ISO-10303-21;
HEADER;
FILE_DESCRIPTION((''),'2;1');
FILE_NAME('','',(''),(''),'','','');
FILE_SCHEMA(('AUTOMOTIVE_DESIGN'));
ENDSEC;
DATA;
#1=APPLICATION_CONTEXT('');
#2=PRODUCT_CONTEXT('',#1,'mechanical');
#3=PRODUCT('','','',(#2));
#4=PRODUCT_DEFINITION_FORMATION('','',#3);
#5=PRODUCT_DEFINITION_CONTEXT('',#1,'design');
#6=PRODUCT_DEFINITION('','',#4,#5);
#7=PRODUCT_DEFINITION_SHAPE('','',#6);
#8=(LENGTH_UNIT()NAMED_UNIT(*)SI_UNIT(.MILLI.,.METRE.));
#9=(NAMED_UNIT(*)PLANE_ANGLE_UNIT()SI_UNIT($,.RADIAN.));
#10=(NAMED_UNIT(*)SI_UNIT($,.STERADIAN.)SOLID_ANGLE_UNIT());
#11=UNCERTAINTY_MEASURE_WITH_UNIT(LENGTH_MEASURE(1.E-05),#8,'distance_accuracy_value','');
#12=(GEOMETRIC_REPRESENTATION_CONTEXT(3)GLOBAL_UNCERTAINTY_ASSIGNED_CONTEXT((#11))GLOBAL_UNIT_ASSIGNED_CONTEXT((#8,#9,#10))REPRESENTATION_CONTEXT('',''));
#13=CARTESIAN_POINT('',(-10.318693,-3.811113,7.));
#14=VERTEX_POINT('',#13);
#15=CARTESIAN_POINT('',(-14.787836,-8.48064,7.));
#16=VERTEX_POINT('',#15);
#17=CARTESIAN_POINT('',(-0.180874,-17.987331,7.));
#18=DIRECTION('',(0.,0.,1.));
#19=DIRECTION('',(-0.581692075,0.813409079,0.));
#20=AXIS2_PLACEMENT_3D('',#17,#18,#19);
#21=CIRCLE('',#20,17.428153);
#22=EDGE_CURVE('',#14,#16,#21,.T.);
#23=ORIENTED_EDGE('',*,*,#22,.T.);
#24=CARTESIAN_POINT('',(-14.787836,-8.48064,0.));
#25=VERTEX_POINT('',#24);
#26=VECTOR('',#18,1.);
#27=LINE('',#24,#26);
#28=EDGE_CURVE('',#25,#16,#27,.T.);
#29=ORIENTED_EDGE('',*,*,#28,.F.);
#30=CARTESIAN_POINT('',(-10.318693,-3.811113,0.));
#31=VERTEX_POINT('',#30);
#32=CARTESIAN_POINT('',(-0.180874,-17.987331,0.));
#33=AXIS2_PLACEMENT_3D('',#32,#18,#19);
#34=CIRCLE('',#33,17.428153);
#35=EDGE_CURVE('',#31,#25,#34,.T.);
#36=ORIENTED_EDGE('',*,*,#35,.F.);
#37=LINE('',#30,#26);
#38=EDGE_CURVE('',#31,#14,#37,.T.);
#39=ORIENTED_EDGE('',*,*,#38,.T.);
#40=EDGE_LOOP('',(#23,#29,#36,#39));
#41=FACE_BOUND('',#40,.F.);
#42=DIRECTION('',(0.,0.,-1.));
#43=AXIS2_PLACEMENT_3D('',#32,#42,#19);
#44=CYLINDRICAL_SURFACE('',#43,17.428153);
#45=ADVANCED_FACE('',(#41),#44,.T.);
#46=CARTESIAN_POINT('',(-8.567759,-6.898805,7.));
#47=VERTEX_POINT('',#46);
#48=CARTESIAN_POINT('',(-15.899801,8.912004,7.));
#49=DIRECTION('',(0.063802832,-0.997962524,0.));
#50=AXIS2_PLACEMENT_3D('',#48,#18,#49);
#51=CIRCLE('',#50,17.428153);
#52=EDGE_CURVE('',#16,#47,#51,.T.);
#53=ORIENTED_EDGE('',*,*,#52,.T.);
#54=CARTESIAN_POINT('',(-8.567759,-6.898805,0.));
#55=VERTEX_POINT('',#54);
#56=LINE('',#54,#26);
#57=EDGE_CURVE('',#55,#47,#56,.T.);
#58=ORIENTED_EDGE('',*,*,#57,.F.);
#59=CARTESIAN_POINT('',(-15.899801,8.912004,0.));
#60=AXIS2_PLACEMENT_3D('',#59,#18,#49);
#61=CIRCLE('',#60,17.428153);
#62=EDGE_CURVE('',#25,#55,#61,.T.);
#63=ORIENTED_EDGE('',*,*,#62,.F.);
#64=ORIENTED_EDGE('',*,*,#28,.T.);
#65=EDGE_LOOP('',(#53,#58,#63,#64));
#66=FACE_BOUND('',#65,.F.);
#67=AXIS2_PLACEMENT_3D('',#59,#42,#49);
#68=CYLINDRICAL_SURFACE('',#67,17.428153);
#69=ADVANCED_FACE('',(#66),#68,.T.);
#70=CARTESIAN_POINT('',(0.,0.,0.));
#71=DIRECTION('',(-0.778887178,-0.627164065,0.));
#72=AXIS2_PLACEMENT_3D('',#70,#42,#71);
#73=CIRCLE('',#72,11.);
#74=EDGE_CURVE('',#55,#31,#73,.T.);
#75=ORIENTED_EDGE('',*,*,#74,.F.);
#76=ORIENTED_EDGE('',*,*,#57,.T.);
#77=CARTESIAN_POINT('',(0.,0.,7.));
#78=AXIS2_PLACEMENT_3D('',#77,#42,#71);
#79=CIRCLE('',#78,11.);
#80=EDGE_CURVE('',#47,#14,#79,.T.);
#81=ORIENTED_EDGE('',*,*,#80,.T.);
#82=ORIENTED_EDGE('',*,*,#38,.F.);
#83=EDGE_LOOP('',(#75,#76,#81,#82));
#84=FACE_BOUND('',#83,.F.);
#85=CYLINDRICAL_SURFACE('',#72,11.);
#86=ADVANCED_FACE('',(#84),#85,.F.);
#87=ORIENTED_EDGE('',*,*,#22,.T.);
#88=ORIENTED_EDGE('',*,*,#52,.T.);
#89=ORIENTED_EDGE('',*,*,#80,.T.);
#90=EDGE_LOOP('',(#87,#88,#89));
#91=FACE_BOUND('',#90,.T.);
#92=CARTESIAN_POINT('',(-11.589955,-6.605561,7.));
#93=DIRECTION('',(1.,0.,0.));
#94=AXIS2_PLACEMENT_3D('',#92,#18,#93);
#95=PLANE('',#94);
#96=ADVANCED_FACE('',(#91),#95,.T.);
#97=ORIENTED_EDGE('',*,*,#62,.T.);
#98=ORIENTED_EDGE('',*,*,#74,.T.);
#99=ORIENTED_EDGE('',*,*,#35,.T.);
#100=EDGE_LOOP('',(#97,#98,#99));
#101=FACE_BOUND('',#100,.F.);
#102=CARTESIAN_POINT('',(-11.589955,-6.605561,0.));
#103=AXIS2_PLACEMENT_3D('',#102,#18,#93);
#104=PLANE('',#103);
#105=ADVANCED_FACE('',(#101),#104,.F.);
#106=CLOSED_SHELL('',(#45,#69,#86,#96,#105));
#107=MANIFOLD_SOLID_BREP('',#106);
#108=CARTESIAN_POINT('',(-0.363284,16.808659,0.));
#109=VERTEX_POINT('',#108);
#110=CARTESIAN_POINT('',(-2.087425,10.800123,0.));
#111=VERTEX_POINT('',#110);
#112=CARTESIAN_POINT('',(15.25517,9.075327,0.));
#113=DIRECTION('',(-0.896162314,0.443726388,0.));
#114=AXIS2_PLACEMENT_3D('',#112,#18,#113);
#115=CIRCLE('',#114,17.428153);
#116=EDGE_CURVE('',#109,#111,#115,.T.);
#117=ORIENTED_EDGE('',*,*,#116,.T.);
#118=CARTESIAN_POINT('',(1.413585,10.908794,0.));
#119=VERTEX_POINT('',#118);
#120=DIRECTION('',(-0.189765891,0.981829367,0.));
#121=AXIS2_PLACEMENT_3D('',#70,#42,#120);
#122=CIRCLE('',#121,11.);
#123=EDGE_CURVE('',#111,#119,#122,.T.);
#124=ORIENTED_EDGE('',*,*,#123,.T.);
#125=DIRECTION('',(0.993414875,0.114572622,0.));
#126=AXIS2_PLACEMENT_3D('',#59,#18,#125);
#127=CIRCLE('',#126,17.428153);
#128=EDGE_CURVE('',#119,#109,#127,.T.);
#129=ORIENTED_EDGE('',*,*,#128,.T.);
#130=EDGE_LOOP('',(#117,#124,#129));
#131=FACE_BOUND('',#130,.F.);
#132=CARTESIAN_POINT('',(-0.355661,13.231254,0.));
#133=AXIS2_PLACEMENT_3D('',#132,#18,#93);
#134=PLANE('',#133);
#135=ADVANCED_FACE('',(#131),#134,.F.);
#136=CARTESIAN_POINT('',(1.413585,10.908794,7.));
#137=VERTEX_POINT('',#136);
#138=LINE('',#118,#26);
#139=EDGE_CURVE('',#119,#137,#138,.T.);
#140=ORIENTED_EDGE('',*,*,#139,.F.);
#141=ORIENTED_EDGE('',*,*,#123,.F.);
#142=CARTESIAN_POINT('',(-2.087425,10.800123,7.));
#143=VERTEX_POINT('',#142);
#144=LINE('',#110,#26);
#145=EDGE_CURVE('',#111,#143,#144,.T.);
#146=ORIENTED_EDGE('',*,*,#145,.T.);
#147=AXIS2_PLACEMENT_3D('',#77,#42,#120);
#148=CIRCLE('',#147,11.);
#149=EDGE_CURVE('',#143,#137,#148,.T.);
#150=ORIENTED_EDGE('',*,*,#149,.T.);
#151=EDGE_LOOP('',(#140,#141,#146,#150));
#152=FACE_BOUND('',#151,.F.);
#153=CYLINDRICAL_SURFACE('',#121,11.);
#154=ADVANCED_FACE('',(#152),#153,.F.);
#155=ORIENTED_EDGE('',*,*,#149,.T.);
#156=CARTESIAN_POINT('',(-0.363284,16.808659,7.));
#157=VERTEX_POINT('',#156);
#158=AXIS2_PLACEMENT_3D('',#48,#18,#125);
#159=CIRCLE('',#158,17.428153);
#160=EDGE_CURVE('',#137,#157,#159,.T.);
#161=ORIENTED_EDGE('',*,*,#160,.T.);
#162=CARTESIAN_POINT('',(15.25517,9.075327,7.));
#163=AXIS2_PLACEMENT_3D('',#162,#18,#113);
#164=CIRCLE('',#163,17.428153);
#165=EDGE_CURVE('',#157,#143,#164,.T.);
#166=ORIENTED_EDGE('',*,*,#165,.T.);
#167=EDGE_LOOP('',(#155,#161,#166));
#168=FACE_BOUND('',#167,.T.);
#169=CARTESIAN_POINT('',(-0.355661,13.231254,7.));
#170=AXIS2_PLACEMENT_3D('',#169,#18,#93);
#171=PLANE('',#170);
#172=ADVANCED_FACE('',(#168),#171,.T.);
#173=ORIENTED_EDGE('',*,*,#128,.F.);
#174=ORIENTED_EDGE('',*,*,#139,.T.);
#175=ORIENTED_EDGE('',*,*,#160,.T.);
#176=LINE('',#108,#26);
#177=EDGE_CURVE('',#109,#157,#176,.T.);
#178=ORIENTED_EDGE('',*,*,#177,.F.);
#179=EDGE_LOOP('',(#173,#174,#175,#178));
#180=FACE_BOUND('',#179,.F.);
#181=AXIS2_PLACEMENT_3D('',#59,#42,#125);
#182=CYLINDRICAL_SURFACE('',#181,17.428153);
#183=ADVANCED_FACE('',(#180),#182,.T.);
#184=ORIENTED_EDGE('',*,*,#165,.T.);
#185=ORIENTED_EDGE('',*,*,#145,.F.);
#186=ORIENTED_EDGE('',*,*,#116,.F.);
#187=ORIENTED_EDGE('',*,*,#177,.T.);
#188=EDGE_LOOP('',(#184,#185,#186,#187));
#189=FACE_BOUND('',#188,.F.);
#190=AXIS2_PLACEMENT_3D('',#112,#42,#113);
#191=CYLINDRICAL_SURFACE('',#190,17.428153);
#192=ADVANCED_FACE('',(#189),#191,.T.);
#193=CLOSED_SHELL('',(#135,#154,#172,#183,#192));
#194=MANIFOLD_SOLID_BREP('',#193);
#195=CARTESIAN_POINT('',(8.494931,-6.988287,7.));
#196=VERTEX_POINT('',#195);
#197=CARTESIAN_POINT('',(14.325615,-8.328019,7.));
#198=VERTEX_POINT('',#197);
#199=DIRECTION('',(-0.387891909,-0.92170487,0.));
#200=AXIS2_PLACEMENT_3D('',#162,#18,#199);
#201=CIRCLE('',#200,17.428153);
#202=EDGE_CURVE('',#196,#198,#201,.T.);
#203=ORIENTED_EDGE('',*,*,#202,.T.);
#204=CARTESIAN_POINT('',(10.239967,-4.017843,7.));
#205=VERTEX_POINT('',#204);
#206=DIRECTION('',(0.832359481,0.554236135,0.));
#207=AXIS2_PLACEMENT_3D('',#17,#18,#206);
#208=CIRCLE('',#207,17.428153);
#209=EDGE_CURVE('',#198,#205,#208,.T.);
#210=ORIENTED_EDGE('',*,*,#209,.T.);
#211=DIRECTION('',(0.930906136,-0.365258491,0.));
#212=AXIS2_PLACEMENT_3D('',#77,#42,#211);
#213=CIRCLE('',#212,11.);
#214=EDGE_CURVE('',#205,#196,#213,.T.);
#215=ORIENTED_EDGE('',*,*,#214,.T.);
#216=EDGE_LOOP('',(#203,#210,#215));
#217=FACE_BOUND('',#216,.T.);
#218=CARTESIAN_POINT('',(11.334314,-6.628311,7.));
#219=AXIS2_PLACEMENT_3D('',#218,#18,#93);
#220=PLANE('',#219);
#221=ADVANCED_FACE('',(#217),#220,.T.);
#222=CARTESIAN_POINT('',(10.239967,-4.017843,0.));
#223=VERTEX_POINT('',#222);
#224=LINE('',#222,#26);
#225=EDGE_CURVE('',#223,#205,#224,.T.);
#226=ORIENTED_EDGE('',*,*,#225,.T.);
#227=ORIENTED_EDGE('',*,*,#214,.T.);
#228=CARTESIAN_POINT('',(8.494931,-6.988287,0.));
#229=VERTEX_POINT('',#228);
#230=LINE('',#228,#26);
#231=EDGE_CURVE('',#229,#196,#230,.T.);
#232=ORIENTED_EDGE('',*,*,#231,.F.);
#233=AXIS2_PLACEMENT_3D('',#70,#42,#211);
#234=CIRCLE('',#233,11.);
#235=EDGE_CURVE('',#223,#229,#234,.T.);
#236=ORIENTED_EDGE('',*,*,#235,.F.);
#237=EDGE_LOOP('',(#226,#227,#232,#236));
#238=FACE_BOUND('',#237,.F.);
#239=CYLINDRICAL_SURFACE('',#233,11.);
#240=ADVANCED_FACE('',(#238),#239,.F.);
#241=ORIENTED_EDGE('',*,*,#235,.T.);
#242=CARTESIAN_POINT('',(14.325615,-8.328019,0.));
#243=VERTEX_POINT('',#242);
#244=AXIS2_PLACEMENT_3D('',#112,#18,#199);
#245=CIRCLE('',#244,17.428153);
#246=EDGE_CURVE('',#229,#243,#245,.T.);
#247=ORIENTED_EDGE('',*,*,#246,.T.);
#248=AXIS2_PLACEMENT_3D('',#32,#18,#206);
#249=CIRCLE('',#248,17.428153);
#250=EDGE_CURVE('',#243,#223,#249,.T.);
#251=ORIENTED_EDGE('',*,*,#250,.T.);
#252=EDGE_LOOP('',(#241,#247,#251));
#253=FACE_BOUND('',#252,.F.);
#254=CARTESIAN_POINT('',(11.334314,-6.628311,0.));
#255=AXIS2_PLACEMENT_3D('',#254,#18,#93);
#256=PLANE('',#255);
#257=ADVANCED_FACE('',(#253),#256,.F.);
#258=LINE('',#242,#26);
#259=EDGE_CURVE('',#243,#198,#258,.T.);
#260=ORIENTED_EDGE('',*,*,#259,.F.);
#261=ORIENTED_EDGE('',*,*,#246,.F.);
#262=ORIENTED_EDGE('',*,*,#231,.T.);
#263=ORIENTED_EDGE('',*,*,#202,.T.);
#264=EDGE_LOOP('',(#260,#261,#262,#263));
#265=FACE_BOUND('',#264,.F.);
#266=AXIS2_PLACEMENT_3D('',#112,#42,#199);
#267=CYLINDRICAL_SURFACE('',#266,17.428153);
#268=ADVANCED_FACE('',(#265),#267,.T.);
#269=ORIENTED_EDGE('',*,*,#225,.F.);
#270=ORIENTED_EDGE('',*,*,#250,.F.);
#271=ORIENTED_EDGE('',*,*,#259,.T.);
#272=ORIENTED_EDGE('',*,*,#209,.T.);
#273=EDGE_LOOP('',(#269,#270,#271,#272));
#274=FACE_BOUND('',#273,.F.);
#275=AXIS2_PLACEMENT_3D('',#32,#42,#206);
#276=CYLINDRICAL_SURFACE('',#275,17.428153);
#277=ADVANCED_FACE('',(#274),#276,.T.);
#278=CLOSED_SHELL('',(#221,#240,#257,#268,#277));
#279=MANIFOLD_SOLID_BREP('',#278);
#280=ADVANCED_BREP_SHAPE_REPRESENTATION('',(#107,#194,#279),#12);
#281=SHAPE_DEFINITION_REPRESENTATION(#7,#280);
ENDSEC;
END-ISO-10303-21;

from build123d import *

# Parameters (mm, degrees)
F1_DEPTH = 7


with BuildPart() as f1:
    # F0 (on Top) → F1 (new body)
    with BuildSketch(Plane.XY):
        with BuildLine():
            ThreePointArc((-2.0874247971, 10.8001230417), (-0.3412729495, 10.9947047607), (1.4135853304, 10.9087935407))
            ThreePointArc((1.4135853304, 10.9087935407), (0.7879532463, 13.9378746158), (-0.3632838289, 16.8086586307))
            ThreePointArc((-0.3632838289, 16.8086586307), (-1.4969434902, 13.8823229746), (-2.0874247971, 10.8001230417))
        make_face()
    extrude(amount=F1_DEPTH)


with BuildPart() as f1b:
    # F0 (on Top) → F1, piece 2 (new body)
    with BuildSketch(Plane.XY):
        with BuildLine():
            ThreePointArc((-8.5677589565, -6.8988047126), (-9.5685930185, -5.4260508333), (-10.3186925541, -3.8111132198))
            ThreePointArc((-10.3186925541, -3.8111132198), (-12.7716309008, -5.936880497), (-14.787835926, -8.4806395945))
            ThreePointArc((-14.787835926, -8.4806395945), (-11.6043540641, -7.9785155441), (-8.5677589565, -6.8988047126))
        make_face()
    extrude(amount=F1_DEPTH)


with BuildPart() as f1c:
    # F0 (on Top) → F1, piece 3 (new body)
    with BuildSketch(Plane.XY):
        with BuildLine():
            ThreePointArc((14.3256148295, -8.3280190362), (12.4677367088, -5.9976199722), (10.2399674985, -4.0178434052))
            ThreePointArc((10.2399674985, -4.0178434052), (9.484460261, -5.5718052333), (8.4949307428, -6.9882867482))
            ThreePointArc((8.4949307428, -6.9882867482), (11.3523562473, -7.9102129823), (14.3256148295, -8.3280190362))
        make_face()
    extrude(amount=F1_DEPTH)


solid = Compound([f1.part, f1b.part, f1c.part])
